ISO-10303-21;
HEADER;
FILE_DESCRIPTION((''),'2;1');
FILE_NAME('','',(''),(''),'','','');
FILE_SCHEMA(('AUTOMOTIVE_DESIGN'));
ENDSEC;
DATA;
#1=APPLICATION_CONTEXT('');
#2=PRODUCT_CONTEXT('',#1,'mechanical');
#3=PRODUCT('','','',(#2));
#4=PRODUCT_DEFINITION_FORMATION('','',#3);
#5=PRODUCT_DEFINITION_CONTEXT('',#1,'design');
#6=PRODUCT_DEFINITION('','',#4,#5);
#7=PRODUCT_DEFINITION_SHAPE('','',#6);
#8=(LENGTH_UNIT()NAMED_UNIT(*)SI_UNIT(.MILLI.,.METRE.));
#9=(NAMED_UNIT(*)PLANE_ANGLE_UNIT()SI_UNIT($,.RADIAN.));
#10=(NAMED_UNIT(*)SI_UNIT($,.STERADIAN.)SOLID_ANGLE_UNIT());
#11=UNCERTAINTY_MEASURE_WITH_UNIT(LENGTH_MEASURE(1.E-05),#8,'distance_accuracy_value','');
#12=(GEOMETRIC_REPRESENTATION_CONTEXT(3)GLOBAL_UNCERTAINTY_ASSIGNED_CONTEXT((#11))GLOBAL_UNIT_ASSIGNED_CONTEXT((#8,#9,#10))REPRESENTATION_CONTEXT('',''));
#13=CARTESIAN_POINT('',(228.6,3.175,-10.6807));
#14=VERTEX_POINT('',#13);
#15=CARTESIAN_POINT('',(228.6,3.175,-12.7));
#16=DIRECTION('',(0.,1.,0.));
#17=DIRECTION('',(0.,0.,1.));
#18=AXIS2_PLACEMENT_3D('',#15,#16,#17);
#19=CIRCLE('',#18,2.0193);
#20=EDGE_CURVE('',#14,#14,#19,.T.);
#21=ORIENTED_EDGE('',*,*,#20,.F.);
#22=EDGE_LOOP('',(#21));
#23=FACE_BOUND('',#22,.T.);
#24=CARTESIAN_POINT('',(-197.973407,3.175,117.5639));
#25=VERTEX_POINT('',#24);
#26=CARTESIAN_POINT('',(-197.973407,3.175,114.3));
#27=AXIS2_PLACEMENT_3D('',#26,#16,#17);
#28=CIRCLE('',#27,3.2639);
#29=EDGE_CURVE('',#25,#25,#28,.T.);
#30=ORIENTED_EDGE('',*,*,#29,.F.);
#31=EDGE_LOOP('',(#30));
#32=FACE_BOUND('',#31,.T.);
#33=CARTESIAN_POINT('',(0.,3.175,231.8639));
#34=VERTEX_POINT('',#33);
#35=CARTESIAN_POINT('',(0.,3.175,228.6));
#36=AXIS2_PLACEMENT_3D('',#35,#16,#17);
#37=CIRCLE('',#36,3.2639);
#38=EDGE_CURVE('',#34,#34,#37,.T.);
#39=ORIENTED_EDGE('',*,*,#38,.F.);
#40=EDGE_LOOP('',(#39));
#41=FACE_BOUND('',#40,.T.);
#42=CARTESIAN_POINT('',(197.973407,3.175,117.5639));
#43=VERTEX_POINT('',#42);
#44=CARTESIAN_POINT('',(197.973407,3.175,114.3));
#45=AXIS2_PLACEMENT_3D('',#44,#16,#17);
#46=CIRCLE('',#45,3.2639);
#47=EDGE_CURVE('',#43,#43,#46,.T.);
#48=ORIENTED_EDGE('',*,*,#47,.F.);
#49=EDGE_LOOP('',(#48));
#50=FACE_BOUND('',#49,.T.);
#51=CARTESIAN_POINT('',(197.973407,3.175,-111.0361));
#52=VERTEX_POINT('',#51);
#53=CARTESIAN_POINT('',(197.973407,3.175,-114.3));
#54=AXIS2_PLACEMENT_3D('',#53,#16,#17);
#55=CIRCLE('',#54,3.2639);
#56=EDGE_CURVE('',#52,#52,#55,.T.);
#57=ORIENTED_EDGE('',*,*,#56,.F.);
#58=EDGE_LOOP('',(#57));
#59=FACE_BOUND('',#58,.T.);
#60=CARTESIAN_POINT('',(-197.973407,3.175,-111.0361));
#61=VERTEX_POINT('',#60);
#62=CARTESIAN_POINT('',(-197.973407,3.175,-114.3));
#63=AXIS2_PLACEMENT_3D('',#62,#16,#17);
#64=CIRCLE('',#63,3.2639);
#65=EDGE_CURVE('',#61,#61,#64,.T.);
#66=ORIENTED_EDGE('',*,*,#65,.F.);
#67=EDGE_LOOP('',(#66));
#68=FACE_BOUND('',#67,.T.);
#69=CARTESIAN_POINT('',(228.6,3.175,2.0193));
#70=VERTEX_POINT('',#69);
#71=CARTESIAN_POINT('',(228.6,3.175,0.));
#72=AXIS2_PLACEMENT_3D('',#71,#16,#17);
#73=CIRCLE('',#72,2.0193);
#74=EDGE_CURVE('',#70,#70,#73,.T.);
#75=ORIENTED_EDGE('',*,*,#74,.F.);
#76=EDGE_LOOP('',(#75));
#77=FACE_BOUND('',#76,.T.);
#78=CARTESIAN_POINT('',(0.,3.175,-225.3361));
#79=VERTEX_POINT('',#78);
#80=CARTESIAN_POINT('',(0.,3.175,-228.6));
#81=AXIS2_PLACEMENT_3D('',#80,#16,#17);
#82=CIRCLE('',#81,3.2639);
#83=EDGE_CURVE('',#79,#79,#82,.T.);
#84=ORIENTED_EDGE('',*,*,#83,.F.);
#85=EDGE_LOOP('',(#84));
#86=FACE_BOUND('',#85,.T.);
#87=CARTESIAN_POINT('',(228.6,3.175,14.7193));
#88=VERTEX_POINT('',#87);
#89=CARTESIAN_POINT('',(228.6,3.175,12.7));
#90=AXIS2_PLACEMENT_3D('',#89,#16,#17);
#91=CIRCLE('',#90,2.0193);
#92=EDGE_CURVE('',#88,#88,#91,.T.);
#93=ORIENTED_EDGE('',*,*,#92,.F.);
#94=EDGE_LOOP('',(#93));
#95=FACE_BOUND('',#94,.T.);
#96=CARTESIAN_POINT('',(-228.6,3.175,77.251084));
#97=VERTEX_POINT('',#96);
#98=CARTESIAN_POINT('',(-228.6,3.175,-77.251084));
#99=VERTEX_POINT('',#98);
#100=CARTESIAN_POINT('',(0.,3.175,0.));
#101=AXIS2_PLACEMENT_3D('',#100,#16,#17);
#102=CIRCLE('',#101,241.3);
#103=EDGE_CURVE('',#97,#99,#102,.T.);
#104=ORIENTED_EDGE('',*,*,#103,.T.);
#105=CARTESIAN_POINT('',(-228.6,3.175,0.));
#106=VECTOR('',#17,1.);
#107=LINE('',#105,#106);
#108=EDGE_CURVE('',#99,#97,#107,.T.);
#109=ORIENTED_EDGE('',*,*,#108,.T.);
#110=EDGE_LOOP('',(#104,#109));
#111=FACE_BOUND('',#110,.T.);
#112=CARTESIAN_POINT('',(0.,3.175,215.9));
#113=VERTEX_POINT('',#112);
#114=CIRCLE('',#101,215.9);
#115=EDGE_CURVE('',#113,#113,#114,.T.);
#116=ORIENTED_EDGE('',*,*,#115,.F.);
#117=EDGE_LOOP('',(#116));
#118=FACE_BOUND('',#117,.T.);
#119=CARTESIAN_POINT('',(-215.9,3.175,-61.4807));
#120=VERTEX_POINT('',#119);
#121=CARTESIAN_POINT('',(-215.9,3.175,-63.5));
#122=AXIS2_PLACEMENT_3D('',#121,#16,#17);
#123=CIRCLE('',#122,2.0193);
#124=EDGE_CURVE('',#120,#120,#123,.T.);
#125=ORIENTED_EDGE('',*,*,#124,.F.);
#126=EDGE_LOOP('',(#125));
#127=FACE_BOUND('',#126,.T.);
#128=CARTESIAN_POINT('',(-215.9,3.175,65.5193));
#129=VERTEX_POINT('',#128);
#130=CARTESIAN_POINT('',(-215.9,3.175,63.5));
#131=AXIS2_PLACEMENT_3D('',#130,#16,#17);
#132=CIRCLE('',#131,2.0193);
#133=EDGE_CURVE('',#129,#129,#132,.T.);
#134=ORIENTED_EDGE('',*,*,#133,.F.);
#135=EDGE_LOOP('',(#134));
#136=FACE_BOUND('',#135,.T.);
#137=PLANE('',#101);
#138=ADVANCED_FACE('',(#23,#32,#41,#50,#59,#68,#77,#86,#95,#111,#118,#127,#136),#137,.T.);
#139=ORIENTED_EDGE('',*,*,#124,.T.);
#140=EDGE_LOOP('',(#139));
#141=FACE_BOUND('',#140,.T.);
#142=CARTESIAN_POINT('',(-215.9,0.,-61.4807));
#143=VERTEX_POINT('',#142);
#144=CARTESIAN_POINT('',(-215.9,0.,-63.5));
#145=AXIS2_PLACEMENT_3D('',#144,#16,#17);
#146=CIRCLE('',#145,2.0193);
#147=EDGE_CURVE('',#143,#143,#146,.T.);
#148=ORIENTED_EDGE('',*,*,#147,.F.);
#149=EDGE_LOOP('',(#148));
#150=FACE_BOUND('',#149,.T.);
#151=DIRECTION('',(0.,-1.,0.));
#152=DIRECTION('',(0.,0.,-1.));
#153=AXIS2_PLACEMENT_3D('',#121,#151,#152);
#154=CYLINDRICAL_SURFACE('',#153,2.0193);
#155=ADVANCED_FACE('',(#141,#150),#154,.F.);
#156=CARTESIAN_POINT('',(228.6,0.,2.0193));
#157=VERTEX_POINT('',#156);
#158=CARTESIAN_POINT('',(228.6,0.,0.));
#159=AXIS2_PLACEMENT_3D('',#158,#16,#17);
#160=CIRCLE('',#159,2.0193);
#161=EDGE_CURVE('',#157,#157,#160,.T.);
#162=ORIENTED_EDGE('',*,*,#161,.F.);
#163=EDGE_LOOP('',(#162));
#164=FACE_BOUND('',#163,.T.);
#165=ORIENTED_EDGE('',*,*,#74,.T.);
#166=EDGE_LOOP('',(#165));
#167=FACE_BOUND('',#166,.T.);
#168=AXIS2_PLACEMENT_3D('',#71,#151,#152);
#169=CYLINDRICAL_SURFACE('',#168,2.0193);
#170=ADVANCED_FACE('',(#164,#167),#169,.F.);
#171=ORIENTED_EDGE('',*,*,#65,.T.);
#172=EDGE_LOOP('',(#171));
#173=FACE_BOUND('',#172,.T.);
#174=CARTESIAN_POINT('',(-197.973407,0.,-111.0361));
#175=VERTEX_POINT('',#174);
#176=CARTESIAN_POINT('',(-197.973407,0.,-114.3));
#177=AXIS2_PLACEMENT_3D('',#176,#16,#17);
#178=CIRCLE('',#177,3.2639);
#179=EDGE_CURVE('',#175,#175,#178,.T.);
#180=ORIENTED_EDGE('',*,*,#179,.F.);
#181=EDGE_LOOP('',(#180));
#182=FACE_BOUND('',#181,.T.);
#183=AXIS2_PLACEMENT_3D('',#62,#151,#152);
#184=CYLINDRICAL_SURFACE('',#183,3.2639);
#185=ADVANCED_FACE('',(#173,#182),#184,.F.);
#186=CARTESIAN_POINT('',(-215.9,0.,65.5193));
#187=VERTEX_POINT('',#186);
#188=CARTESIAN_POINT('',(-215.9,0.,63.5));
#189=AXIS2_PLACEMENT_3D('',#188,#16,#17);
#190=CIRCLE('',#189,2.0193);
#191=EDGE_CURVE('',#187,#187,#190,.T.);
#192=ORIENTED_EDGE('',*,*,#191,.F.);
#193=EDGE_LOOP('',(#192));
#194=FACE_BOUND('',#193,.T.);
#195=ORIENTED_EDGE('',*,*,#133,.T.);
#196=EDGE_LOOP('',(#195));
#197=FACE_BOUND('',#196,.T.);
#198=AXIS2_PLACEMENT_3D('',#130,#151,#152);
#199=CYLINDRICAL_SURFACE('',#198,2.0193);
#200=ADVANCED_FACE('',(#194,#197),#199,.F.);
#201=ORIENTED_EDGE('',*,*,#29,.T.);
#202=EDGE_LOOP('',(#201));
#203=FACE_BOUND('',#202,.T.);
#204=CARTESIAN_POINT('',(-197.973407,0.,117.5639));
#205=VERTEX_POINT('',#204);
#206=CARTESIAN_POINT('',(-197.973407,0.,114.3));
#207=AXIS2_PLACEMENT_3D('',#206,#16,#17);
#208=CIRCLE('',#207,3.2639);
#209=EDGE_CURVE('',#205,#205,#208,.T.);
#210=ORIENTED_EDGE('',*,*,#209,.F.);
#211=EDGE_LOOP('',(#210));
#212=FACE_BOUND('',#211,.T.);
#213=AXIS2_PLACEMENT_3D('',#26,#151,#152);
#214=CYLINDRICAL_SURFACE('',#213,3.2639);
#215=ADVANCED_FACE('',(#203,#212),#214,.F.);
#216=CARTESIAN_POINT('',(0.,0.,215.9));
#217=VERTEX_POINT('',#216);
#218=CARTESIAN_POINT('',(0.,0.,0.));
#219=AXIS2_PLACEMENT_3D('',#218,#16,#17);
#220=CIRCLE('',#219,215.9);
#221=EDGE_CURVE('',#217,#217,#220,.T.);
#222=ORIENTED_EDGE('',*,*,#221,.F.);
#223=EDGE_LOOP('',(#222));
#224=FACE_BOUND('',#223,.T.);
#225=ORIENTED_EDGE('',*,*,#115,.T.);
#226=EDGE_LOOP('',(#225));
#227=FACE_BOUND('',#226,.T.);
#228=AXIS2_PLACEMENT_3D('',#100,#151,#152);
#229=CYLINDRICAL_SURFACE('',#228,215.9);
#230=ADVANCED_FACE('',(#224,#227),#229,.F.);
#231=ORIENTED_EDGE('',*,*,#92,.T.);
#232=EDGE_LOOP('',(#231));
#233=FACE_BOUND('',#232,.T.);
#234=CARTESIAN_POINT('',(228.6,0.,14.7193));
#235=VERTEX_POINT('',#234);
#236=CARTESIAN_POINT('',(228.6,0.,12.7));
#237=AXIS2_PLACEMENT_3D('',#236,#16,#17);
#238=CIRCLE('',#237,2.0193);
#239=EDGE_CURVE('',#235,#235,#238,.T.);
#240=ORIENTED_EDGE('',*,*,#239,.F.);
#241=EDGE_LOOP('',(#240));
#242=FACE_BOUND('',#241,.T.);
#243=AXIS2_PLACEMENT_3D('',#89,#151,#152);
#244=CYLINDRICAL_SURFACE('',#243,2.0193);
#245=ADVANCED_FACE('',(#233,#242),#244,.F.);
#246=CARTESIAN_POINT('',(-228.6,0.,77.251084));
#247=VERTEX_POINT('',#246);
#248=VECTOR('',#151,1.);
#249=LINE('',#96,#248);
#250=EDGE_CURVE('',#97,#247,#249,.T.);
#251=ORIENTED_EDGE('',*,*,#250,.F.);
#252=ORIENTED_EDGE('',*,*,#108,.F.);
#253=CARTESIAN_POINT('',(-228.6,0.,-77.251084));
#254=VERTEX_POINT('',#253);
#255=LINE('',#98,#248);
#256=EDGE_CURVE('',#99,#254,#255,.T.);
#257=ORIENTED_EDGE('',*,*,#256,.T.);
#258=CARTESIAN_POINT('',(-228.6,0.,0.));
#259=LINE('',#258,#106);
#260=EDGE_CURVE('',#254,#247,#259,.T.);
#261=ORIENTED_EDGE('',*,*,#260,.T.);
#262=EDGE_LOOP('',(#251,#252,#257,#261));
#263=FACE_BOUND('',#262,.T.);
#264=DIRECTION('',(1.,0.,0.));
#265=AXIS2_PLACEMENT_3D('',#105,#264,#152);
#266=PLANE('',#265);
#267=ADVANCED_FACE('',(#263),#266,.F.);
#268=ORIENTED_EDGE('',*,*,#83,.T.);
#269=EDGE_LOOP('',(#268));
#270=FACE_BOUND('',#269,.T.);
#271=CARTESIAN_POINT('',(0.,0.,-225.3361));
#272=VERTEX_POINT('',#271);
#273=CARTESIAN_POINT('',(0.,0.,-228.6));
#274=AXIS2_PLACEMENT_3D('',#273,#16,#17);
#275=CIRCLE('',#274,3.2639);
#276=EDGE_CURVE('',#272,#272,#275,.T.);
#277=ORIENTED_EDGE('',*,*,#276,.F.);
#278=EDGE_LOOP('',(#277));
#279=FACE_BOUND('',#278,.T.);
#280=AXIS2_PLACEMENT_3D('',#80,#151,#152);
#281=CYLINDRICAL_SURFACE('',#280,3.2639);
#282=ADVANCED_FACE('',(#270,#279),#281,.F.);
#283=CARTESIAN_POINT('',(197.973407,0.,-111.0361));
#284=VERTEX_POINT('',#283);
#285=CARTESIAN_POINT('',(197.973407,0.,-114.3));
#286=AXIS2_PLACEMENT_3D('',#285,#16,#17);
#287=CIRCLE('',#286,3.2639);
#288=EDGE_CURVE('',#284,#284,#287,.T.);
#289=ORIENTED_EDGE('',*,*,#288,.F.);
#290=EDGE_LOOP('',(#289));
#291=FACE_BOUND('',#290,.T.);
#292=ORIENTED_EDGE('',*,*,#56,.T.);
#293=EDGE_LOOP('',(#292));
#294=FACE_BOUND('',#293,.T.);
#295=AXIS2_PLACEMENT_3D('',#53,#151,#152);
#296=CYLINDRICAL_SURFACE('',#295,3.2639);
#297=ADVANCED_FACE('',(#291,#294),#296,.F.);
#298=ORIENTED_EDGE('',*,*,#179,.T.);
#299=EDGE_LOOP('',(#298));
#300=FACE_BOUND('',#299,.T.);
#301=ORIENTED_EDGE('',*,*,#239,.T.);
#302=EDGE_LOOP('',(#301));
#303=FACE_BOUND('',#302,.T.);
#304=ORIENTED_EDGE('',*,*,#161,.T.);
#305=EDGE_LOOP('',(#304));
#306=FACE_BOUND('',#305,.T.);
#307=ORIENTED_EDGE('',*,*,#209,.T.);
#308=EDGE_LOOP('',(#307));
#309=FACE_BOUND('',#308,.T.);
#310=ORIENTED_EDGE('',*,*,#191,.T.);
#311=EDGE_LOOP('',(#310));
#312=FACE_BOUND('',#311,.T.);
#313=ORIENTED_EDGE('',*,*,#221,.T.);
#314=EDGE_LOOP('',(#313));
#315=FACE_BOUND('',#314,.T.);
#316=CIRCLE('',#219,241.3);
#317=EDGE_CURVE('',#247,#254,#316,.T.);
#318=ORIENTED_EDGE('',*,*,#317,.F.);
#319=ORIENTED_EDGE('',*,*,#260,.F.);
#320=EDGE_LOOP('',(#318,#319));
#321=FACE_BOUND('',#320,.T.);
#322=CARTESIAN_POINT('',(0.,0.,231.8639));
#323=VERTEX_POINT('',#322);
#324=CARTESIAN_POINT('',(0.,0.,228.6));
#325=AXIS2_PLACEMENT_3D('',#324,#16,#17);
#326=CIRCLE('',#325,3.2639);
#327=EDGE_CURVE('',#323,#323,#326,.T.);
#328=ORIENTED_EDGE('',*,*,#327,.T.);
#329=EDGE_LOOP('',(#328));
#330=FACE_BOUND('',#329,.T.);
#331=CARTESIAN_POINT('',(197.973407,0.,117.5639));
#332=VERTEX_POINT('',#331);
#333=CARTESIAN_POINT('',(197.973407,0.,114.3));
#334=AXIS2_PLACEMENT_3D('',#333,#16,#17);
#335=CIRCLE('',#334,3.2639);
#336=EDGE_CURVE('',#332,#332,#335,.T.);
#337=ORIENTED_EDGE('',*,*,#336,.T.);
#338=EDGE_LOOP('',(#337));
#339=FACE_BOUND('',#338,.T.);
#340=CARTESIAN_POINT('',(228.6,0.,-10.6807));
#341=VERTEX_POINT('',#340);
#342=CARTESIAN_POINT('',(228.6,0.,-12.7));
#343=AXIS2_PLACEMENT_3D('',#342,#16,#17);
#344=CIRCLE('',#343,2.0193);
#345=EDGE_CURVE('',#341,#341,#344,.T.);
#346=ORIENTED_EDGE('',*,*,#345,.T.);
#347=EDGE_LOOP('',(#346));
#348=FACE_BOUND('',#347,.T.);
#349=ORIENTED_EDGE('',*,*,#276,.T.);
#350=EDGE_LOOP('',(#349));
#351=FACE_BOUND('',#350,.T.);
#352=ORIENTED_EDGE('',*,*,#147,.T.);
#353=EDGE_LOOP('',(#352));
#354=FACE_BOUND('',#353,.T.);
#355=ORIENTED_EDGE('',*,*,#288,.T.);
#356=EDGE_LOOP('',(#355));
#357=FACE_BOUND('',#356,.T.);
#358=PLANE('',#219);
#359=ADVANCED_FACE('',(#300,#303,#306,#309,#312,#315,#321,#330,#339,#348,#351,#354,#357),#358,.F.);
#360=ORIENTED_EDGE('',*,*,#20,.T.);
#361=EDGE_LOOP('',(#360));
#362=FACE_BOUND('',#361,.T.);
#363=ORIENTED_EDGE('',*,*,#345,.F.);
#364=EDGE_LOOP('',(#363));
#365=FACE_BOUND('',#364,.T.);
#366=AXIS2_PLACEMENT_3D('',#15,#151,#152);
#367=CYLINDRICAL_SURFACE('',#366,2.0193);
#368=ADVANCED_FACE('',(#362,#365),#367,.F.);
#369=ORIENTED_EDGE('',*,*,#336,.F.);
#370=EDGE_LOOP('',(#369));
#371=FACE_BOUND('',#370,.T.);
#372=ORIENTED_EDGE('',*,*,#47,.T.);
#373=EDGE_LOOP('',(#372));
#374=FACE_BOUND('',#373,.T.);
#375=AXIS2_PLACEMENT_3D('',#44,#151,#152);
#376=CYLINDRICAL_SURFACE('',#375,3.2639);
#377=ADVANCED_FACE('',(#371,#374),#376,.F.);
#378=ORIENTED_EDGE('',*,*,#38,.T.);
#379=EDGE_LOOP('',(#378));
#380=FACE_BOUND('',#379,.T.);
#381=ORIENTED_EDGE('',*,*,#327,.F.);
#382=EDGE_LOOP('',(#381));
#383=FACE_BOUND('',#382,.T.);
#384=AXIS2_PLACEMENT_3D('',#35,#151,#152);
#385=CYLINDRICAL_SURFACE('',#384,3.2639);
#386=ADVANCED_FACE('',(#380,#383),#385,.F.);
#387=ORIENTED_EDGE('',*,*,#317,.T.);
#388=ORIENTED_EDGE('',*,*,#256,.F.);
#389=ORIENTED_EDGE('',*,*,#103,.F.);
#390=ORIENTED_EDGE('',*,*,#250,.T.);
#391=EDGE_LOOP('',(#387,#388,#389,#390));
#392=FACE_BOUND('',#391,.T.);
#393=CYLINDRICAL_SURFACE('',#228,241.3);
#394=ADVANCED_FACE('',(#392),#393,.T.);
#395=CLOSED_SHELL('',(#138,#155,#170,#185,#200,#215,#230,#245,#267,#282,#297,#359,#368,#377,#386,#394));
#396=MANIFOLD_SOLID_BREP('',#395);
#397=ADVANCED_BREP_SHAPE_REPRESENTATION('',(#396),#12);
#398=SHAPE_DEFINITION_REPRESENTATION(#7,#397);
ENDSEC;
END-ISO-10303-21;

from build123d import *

# Parameters (mm, degrees)
SKETCH1_R           = 3.2639
SKETCH1_R_2         = 2.0193
SKETCH1_R_3         = 215.9
BOSS_EXTRUDE1_DEPTH = 3.175


with BuildPart() as part:
    # Sketch1 → Boss-Extrude1 (new body)
    with BuildSketch(Plane(origin=(0, 0, 0), x_dir=(1, 0, 0), z_dir=(0, 1, 0))):
        with BuildLine():
            ThreePointArc((241.3, 0), (39.144028917, 238.103832393), (-228.600000001, 77.251084131))
            Line((-228.6, 77.251084131), (-228.6, -77.251084131))
            ThreePointArc((-228.600000001, -77.251084131), (39.144028917, -238.103832393), (241.3, 0))
        make_face()
        with Locations((0, -228.6)):
            Circle(SKETCH1_R, mode=Mode.SUBTRACT)
        with Locations((-197.973407305, -114.3)):
            Circle(SKETCH1_R, mode=Mode.SUBTRACT)
        with Locations((-215.9, -63.5)):
            Circle(SKETCH1_R_2, mode=Mode.SUBTRACT)
        with Locations((197.973407305, -114.3)):
            Circle(SKETCH1_R, mode=Mode.SUBTRACT)
        with Locations((228.6, -12.7)):
            Circle(SKETCH1_R_2, mode=Mode.SUBTRACT)
        with Locations((-215.9, 63.5)):
            Circle(SKETCH1_R_2, mode=Mode.SUBTRACT)
        with Locations((-197.973407305, 114.3)):
            Circle(SKETCH1_R, mode=Mode.SUBTRACT)
        Circle(SKETCH1_R_3, mode=Mode.SUBTRACT)
        with Locations((0, 228.6)):
            Circle(SKETCH1_R, mode=Mode.SUBTRACT)
        with Locations((197.973407305, 114.3)):
            Circle(SKETCH1_R, mode=Mode.SUBTRACT)
        with Locations((228.6, 0)):
            Circle(SKETCH1_R_2, mode=Mode.SUBTRACT)
        with Locations((228.6, 12.7)):
            Circle(SKETCH1_R_2, mode=Mode.SUBTRACT)
    extrude(amount=BOSS_EXTRUDE1_DEPTH)


solid = part.part
